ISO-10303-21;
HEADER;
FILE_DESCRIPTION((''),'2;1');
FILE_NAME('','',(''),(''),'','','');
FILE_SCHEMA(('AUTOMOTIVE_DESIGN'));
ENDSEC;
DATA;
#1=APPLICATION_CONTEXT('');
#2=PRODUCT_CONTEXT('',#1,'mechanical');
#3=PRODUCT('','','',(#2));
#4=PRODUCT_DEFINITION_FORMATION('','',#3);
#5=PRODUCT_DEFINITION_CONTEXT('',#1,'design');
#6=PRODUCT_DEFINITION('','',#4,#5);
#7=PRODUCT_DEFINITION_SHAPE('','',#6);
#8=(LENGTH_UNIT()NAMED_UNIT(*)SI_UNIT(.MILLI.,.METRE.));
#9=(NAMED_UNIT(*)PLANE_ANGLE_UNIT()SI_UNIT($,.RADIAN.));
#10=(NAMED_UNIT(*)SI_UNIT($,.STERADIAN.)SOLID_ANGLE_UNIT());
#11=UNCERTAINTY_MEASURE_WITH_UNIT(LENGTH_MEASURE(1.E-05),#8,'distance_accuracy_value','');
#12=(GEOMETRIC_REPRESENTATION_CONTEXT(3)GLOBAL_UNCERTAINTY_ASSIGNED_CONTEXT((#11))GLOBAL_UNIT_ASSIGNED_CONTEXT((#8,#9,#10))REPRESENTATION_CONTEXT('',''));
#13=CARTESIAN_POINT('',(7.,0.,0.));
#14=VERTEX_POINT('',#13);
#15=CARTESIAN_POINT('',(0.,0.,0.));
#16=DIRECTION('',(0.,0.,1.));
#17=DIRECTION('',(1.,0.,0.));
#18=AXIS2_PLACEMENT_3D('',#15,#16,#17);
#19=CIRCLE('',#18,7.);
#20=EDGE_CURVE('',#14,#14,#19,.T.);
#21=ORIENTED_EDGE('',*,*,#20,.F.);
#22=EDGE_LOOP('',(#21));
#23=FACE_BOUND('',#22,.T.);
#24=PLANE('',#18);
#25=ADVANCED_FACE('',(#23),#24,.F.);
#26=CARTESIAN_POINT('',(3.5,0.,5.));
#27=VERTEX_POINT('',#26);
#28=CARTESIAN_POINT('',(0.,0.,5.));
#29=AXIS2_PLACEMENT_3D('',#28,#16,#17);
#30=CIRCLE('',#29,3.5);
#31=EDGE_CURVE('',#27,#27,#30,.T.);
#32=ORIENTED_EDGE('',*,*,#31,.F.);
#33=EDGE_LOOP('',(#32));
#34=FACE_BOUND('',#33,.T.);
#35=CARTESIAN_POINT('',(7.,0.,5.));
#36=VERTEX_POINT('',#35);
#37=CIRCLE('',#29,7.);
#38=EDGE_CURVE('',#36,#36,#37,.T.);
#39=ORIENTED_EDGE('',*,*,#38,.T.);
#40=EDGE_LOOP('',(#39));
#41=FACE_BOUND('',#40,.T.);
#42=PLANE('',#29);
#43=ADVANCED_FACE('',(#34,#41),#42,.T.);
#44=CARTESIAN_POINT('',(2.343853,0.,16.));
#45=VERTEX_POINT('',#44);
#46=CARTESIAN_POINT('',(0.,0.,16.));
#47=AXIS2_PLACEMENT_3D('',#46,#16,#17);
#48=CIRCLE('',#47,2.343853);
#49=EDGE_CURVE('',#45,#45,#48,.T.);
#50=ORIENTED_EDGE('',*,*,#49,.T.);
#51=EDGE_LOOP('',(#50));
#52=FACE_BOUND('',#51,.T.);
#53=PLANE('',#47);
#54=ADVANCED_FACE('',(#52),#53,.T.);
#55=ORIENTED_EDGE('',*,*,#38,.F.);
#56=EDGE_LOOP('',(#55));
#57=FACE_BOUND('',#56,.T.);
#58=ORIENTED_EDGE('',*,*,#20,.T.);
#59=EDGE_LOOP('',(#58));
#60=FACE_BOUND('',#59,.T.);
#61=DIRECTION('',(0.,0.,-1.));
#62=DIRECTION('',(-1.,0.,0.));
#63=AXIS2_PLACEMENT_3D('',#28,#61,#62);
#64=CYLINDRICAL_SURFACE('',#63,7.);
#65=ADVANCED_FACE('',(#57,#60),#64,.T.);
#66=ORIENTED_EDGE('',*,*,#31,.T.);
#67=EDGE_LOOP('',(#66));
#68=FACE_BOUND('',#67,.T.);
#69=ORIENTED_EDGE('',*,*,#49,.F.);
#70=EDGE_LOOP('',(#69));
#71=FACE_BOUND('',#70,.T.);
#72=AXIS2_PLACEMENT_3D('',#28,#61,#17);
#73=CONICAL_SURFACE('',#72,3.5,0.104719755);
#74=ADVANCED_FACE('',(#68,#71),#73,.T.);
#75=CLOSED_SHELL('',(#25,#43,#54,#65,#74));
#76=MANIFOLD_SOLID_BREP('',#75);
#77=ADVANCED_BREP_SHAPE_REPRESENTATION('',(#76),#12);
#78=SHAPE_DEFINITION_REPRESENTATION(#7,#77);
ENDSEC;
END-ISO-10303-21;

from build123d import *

# Parameters (mm, degrees)
SKETCH1_R           = 7
BOSS_EXTRUDE1_DEPTH = 5
SKETCH2_R           = 3.5
BOSS_EXTRUDE2_DEPTH = 11
BOSS_EXTRUDE2_TAPER = 6


with BuildPart() as part:
    # Sketch1 → Boss-Extrude1 (new body)
    with BuildSketch(Plane.XY):
        Circle(SKETCH1_R)
    extrude(amount=BOSS_EXTRUDE1_DEPTH)

    # Sketch2 → Boss-Extrude2 (add)
    with BuildSketch(Plane.XY.offset(5)):
        Circle(SKETCH2_R)
    extrude(amount=BOSS_EXTRUDE2_DEPTH, taper=BOSS_EXTRUDE2_TAPER)


solid = part.part
